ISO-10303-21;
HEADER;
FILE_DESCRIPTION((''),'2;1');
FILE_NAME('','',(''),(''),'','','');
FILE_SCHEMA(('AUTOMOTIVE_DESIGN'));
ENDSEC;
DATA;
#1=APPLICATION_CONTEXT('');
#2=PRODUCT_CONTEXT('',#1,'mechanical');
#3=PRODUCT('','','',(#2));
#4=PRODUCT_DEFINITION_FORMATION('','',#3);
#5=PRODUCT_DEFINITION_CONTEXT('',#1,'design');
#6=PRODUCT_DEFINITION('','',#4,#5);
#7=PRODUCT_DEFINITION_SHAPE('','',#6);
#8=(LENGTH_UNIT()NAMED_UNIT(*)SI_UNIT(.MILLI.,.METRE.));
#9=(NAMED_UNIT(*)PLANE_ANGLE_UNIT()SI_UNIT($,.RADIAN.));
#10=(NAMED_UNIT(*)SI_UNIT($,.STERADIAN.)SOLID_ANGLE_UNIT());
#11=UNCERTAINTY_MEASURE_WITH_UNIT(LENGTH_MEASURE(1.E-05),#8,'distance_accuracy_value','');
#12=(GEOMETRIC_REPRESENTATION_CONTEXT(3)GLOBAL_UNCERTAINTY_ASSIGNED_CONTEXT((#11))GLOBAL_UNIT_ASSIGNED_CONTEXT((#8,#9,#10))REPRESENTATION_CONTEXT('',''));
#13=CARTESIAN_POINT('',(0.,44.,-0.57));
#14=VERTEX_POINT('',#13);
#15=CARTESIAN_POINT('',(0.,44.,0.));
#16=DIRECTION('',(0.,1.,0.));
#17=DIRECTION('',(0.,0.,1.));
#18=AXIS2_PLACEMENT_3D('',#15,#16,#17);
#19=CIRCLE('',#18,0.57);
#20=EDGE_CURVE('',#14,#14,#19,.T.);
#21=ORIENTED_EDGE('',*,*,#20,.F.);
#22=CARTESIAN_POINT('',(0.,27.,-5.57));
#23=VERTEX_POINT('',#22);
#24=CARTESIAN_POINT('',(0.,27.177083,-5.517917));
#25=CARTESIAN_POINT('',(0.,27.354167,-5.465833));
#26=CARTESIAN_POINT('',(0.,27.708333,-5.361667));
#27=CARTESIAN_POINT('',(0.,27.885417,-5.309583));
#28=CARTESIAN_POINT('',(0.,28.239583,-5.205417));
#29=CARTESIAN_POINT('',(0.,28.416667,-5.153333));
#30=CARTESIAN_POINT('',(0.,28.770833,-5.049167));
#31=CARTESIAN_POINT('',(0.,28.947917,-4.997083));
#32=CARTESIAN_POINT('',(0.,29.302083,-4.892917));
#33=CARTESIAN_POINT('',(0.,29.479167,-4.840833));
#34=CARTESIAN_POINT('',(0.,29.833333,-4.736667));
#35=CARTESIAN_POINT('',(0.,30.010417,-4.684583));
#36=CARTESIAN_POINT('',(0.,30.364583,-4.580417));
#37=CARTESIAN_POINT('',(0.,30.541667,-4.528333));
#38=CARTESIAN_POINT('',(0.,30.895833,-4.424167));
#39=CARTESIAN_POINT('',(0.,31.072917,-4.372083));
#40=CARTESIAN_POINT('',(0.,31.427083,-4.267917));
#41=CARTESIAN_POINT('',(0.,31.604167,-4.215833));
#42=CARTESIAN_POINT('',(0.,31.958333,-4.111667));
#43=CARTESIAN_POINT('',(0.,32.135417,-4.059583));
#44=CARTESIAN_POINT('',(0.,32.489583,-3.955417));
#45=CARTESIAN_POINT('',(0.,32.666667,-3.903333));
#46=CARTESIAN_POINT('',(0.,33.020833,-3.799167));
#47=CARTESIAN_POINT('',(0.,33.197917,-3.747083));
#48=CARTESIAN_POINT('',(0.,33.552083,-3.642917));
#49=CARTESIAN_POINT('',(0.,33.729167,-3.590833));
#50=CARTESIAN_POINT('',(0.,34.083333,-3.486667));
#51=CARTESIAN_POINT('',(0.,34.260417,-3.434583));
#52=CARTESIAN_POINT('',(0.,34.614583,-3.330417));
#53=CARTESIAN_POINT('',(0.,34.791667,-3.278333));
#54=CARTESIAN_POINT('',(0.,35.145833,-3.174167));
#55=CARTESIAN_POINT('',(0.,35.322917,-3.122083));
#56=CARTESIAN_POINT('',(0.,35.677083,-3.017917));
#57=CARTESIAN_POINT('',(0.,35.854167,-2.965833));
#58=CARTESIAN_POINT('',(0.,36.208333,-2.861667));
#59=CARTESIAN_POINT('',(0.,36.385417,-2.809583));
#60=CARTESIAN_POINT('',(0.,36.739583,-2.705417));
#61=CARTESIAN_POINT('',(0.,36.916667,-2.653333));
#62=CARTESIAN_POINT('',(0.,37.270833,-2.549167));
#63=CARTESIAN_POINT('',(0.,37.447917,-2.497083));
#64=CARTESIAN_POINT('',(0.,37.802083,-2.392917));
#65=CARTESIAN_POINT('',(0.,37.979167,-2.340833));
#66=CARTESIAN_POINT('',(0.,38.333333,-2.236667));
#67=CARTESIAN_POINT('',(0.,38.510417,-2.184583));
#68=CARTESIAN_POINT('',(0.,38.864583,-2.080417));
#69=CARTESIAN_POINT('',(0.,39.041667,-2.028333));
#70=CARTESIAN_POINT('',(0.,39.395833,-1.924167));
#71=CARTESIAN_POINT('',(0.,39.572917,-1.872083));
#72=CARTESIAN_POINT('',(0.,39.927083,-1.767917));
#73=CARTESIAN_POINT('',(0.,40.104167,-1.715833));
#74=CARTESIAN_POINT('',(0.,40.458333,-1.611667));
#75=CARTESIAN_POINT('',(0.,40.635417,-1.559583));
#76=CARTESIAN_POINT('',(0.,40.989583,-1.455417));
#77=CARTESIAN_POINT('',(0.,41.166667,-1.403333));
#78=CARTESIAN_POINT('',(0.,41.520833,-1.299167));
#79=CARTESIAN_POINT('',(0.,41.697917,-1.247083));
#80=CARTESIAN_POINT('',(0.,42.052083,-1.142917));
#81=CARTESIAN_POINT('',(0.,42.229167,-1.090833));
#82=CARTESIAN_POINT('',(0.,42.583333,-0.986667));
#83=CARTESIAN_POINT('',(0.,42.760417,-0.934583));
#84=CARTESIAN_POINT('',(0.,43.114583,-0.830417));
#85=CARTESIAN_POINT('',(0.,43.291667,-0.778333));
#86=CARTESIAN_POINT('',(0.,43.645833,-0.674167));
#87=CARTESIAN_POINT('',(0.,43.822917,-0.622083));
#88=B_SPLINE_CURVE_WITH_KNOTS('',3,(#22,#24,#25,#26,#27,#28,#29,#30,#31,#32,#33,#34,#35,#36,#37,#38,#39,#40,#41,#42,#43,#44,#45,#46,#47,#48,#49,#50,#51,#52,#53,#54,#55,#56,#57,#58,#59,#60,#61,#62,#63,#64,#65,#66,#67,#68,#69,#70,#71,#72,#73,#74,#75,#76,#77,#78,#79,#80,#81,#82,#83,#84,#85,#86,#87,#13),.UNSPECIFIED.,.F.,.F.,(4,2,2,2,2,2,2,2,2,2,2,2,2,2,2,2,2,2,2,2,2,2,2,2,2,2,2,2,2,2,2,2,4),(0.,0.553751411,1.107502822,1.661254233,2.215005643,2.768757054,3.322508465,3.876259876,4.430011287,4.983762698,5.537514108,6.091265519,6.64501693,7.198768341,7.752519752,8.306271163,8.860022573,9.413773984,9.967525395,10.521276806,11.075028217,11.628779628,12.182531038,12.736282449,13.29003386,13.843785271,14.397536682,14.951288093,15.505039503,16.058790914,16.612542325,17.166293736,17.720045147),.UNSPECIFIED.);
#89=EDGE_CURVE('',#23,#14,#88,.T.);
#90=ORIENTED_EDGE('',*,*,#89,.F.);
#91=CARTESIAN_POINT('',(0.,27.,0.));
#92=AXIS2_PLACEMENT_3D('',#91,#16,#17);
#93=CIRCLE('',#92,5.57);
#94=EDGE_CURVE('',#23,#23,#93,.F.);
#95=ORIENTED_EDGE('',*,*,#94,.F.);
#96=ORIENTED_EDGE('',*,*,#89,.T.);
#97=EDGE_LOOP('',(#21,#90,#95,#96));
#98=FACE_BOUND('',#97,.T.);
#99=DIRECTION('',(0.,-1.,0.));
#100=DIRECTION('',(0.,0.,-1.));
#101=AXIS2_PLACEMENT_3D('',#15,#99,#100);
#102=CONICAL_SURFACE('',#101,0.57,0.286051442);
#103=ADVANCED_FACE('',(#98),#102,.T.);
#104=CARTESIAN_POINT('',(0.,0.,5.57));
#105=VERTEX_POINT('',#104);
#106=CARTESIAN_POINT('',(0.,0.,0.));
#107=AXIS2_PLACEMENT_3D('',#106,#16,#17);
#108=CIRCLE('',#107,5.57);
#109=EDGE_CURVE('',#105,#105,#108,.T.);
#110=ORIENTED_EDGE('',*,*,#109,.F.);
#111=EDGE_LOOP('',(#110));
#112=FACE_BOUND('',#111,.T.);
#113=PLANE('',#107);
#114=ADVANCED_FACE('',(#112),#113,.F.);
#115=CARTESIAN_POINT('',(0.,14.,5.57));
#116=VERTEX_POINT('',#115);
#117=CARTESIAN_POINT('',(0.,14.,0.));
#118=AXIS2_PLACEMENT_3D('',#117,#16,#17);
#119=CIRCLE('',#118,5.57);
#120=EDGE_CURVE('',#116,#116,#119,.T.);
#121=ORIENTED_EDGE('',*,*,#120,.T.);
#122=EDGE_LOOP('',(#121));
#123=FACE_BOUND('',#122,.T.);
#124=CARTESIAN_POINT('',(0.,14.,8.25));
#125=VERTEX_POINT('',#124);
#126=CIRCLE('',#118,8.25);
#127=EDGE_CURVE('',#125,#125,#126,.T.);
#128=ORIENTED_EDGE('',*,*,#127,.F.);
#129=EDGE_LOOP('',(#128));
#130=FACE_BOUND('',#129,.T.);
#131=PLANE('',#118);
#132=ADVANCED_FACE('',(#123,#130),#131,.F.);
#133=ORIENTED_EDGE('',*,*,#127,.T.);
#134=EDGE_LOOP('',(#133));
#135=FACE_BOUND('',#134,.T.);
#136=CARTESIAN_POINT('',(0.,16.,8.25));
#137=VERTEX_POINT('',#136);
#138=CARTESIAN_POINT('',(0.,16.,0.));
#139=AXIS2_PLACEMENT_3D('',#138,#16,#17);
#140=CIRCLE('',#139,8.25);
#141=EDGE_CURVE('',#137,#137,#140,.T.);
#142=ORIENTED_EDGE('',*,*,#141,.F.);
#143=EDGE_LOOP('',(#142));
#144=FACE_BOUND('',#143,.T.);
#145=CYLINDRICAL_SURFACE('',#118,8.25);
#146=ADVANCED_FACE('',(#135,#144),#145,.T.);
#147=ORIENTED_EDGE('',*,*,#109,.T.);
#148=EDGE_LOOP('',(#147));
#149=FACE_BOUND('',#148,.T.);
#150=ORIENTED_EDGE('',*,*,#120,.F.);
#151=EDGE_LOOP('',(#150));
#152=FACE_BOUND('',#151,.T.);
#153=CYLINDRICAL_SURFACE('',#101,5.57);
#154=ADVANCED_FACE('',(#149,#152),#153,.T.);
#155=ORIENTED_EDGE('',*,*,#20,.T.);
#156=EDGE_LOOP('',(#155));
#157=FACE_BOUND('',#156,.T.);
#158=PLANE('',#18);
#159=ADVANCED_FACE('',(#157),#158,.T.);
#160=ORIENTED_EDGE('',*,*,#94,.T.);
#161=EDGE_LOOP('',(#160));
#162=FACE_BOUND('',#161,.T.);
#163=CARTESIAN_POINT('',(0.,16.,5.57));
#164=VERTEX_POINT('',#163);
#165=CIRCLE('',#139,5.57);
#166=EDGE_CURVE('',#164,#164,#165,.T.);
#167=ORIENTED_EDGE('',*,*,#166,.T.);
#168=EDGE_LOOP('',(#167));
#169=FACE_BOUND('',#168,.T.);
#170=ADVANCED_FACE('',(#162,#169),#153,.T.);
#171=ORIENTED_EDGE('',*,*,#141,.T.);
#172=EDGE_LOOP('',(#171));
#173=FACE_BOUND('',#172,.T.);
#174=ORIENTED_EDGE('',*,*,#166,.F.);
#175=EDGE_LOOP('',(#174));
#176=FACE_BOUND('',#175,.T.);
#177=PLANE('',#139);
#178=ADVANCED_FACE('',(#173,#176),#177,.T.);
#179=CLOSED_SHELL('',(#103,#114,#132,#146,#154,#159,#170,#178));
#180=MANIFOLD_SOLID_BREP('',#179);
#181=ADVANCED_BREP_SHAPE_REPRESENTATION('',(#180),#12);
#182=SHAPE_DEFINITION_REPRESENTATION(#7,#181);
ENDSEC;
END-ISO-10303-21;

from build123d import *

# Parameters (mm, degrees)
SKETCH1_R           = 5.57
BOSS_EXTRUDE1_DEPTH = 44
CHAMFER1_SIZE       = 17
CHAMFER1_SIZE2      = 5
SKETCH2_R           = 8.25
BOSS_EXTRUDE2_DEPTH = 2


with BuildPart() as part:
    # Sketch1 → Boss-Extrude1 (new body)
    with BuildSketch(Plane(origin=(0, 0, 0), x_dir=(1, 0, 0), z_dir=(0, 1, 0))):
        with Locations(Location((0, 0, 0), (0, 0, 270))):
            Circle(SKETCH1_R)
    extrude(amount=BOSS_EXTRUDE1_DEPTH)

    # Chamfer1
    chamfer1_edges = [part.edges().sort_by_distance(p)[0] for p in [
        (0, 44, -5.57),
    ]]
    chamfer1_side = [part.faces().sort_by_distance(p)[0] for p in [
        (0, 22, -5.57),
    ]]
    chamfer(chamfer1_edges, length=CHAMFER1_SIZE, length2=CHAMFER1_SIZE2, reference=chamfer1_side[0])

    # Sketch2 → Boss-Extrude2 (add)
    with BuildSketch(Plane(origin=(0, 16, 0), x_dir=(1, 0, 0), z_dir=(0, 1, 0))):
        with Locations(Location((0, 0, 0), (0, 0, 270))):
            Circle(SKETCH2_R)
    extrude(amount=-BOSS_EXTRUDE2_DEPTH)


solid = part.part
